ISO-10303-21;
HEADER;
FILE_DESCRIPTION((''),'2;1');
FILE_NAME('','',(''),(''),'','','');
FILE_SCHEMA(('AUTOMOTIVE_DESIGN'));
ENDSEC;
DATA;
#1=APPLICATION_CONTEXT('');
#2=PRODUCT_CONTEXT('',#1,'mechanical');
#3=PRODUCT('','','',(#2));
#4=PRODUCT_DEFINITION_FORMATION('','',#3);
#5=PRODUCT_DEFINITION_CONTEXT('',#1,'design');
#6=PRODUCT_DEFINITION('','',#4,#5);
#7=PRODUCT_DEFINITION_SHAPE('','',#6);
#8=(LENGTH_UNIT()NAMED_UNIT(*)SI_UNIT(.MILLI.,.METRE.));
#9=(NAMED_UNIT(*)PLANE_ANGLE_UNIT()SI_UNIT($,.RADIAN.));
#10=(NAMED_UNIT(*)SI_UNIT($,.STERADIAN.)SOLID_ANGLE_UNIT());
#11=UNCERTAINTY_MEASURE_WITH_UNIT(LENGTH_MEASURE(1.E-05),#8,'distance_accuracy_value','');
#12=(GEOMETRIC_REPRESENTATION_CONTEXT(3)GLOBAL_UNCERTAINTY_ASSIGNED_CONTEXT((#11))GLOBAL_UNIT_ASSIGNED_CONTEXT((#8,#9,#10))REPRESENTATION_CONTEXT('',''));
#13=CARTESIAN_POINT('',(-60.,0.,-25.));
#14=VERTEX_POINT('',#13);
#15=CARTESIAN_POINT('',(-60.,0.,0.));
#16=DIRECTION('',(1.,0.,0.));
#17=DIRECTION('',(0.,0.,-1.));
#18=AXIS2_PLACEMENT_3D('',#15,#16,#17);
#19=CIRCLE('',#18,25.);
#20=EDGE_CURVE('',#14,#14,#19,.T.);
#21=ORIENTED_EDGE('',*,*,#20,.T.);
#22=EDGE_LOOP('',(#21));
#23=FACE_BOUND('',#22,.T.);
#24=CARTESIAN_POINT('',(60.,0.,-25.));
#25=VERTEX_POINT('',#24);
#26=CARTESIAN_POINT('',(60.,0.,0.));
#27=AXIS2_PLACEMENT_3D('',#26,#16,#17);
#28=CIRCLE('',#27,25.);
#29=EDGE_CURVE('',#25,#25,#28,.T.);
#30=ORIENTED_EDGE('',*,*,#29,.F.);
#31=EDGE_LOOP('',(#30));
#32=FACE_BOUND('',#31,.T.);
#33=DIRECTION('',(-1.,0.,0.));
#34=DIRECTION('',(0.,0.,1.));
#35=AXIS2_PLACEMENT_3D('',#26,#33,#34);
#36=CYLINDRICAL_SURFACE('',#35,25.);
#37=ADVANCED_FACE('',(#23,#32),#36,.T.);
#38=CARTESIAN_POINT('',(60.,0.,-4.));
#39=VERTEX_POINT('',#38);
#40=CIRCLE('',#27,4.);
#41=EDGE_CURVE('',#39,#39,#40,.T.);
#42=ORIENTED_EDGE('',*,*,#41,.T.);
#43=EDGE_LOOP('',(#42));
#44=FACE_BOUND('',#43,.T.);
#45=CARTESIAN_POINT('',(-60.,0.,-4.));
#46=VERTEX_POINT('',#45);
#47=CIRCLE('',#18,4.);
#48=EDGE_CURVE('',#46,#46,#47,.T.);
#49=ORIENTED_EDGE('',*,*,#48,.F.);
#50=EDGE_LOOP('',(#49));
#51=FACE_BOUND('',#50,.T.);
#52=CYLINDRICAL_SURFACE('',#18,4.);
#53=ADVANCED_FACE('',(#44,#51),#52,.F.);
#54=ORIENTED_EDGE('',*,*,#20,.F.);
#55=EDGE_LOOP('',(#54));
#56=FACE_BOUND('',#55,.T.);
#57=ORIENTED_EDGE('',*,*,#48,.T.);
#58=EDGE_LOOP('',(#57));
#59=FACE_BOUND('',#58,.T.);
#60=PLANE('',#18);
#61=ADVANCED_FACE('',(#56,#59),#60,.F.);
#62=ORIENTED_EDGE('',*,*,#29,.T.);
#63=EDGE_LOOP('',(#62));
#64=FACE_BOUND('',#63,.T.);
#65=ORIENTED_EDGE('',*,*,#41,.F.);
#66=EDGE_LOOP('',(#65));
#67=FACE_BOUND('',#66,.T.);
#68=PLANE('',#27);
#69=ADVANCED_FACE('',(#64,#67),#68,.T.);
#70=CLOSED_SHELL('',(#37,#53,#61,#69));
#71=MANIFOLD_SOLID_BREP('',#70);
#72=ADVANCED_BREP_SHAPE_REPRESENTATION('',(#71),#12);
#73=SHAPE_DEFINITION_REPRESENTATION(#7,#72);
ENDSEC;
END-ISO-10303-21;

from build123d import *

# Parameters (mm, degrees)
SKETCH1_R           = 25
BOSS_EXTRUDE1_DEPTH = 60
SKETCH2_R           = 4
CUT_EXTRUDE1_DEPTH  = 126.099960032


with BuildPart() as part:
    # Sketch1 → Boss-Extrude1 (new, symmetric)
    with BuildSketch(Plane(origin=(0, 0, 0), x_dir=(0, 0, -1), z_dir=(1, 0, 0))):
        Circle(SKETCH1_R)
    extrude(amount=BOSS_EXTRUDE1_DEPTH, both=True)

    # Sketch2 → Cut-Extrude1 (cut, through all)
    with BuildSketch(Plane(origin=(60, 0, 0), x_dir=(0, 0, -1), z_dir=(1, 0, 0))):
        Circle(SKETCH2_R)
    extrude(amount=-CUT_EXTRUDE1_DEPTH, mode=Mode.SUBTRACT)


solid = part.part
